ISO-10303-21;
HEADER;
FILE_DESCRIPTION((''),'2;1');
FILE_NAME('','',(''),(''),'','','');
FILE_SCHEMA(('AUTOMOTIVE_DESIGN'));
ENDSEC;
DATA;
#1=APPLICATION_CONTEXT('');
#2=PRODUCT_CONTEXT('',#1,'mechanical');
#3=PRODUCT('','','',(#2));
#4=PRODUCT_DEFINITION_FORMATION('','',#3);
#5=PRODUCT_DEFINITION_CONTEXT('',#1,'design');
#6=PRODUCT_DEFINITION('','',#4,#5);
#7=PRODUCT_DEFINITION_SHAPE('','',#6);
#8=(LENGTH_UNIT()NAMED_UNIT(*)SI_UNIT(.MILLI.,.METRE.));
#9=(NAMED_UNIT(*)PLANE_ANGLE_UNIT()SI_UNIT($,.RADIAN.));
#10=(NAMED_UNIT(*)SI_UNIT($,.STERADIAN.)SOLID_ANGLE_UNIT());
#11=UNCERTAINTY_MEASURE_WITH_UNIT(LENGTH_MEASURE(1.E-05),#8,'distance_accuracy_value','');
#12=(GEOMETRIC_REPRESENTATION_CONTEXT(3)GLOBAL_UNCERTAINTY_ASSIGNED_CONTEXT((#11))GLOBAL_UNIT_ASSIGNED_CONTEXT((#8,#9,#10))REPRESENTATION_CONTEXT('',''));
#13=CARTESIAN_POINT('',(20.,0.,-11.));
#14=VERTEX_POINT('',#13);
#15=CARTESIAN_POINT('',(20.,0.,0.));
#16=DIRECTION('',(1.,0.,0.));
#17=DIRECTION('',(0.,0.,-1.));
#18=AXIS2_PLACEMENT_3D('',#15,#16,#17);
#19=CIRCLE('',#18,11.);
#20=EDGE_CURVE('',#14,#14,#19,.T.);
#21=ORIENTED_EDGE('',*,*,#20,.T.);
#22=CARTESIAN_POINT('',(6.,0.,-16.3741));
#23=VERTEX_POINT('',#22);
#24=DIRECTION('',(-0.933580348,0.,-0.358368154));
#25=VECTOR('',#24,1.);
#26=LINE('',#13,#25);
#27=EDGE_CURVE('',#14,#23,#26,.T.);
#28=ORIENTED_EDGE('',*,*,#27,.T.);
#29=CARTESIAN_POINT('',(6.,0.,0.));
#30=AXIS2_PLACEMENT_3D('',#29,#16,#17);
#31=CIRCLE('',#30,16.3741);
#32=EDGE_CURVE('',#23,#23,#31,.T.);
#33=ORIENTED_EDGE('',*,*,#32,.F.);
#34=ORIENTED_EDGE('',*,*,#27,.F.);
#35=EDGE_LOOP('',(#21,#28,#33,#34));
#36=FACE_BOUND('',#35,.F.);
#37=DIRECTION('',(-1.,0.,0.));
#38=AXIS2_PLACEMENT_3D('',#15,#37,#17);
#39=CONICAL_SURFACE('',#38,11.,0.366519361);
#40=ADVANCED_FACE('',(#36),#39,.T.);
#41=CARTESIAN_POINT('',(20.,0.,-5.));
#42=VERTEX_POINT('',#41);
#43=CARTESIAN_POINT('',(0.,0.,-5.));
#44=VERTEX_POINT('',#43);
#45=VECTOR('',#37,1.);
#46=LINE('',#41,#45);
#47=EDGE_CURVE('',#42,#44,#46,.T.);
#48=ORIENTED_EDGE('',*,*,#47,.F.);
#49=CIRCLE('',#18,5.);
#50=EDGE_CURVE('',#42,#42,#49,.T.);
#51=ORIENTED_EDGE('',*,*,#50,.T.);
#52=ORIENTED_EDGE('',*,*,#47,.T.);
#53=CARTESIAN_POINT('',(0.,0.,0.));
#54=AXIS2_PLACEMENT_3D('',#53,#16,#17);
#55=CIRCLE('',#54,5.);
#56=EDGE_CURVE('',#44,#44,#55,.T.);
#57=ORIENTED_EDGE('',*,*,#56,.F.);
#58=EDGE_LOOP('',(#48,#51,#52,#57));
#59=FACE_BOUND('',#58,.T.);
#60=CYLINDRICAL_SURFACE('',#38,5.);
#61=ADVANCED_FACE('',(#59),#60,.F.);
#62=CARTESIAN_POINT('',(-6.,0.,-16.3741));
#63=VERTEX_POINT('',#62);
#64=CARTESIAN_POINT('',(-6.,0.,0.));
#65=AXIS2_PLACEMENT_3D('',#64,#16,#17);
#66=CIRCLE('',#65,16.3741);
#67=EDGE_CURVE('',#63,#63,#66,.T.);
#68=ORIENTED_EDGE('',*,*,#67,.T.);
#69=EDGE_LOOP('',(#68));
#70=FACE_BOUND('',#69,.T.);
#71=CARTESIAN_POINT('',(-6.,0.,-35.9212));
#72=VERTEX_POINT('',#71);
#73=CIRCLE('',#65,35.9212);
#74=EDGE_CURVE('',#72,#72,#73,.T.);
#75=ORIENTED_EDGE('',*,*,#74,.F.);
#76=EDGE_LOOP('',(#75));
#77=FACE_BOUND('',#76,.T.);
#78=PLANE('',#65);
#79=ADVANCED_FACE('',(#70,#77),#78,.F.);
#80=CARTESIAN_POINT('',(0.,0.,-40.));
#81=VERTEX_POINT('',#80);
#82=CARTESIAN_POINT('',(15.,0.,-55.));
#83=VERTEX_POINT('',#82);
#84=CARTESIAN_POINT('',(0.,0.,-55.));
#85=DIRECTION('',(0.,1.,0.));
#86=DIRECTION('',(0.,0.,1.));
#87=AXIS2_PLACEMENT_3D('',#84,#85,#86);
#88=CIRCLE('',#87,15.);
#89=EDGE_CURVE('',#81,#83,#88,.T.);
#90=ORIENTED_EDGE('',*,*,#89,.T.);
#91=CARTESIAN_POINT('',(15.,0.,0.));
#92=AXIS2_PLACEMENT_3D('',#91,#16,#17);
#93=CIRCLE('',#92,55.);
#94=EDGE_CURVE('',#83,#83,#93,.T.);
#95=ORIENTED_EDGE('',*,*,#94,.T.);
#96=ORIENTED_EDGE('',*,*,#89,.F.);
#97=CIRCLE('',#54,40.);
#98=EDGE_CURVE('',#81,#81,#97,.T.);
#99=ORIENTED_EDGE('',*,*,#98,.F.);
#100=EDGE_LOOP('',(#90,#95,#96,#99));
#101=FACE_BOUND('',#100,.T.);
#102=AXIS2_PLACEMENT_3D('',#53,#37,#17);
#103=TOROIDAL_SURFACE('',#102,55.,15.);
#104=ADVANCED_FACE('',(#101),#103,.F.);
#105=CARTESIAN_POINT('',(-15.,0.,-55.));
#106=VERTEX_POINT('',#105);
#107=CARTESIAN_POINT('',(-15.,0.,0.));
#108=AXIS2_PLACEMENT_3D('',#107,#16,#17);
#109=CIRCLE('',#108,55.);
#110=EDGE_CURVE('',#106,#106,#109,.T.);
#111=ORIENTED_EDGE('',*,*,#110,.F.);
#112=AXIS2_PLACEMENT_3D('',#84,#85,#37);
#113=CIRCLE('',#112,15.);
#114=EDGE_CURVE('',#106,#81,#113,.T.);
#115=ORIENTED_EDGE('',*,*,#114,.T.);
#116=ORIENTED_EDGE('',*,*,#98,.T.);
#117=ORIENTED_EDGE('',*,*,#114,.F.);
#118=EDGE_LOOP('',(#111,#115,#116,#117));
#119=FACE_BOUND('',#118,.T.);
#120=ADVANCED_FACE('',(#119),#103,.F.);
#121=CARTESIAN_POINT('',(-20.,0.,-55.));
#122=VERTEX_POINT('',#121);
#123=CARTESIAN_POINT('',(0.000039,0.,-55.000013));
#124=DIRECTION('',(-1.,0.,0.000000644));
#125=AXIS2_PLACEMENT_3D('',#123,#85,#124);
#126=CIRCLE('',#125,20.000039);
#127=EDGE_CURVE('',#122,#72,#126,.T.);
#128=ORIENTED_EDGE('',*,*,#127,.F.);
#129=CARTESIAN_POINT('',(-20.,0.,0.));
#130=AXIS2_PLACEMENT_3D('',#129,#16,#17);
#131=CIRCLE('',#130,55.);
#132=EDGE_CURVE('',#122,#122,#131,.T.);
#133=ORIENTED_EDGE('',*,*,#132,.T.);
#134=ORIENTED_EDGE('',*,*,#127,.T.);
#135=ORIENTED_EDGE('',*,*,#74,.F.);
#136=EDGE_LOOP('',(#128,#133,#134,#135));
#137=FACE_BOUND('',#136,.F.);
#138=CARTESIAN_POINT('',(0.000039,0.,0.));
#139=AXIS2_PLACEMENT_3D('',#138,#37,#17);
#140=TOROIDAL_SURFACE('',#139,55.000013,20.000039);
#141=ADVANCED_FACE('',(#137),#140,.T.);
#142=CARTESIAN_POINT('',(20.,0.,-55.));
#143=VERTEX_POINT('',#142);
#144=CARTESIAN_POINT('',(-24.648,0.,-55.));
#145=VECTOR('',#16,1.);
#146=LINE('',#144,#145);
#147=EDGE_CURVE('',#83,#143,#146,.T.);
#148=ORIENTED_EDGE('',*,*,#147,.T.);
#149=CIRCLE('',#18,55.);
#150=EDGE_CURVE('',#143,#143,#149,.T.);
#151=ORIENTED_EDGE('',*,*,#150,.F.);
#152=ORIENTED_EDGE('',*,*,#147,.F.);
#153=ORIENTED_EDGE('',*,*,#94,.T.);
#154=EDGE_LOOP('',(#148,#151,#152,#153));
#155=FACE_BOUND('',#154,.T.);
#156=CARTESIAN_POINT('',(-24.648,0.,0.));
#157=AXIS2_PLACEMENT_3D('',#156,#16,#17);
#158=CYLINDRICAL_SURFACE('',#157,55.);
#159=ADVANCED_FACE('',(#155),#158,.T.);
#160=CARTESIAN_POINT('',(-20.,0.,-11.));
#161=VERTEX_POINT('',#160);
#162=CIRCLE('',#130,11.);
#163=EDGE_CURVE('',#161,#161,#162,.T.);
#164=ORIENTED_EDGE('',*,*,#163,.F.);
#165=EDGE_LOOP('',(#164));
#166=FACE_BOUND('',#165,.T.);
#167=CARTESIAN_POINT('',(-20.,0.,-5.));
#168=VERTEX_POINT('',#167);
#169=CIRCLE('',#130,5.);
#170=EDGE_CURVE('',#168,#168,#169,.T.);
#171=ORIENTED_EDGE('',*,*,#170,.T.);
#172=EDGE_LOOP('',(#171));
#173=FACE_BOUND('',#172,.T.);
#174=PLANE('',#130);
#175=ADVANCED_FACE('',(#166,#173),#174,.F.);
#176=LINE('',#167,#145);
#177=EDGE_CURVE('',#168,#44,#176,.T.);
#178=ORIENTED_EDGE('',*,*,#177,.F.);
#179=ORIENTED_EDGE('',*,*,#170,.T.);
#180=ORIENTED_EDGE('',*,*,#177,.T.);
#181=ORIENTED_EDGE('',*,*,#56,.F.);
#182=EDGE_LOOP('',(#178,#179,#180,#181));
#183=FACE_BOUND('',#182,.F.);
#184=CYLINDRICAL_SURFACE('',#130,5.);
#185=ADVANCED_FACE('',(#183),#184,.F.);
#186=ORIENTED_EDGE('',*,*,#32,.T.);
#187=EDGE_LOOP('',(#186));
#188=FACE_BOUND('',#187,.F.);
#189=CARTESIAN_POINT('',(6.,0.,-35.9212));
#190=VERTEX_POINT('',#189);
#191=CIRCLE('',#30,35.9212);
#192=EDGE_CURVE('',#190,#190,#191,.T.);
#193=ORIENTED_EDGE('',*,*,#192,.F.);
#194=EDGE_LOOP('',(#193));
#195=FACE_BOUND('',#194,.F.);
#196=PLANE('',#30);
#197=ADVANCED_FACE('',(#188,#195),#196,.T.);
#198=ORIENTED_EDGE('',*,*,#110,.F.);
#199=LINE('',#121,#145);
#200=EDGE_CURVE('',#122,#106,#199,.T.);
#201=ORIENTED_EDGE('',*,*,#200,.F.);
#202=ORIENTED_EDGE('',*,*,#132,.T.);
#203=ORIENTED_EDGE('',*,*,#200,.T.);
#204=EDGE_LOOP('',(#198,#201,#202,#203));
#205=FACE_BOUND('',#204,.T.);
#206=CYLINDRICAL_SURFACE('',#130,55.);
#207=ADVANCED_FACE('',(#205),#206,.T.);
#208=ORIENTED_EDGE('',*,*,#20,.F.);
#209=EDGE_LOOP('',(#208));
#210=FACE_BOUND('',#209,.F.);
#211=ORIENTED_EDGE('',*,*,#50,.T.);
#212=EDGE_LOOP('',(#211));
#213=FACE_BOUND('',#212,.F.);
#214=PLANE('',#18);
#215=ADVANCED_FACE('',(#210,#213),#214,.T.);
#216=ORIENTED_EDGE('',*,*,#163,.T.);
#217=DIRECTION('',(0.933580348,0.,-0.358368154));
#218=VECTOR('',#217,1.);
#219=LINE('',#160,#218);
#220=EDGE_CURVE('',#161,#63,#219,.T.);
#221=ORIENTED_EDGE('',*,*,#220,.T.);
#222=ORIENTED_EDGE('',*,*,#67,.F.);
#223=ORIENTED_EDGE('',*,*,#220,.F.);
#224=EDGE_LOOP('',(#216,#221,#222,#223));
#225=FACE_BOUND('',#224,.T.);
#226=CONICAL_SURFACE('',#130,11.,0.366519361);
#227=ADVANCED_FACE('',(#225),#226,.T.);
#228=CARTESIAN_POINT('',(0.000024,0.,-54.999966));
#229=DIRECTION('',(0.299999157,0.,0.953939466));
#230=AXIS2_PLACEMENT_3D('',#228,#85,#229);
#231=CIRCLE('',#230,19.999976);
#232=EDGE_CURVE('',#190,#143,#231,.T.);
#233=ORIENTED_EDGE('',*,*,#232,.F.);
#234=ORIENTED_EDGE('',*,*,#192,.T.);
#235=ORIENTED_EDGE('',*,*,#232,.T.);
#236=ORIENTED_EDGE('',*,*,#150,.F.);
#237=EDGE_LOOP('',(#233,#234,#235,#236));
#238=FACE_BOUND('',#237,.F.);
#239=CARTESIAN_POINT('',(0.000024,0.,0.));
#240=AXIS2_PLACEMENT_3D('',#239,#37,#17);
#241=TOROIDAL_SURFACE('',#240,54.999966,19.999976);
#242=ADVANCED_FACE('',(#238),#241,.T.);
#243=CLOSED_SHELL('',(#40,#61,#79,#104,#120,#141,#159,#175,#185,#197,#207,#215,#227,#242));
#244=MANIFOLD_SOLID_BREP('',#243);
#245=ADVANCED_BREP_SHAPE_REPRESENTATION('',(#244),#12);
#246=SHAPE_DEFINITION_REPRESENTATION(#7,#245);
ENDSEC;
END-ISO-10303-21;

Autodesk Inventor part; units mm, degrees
ref_plane "YZ Plane" through (0, 0, 0) normal (1, 0, 0) x (0, 1, 0)
ref_plane "XZ Plane" through (0, 0, 0) normal (0, 1, 0) x (-1, 0, 0)
ref_plane "XY Plane" through (0, 0, 0) normal (0, 0, 1) x (1, 0, 0)
sketch "Náčrt1" plane through (0, 0, 0) normal (0, 1, 0) x (-1, 0, 0)
  line L0 (20, -5) -> (0, -5)
  line L1 (20, -5) -> (20, -11)
  line L2 (20, -11) -> (6, -16.3741)
  line L3 (6, -16.3741) -> (6, -35.9212)
  line L4 (0, 0) -> (-43.8955, 0)
  arc A0 (20, -55) -> (6, -35.9212) centre (0, -55) ccw
  line L5 (0, 0) -> (0, -73.1539)
  line L6 (20, -55) -> (15, -55)
  arc A1 (15, -55) -> (0, -40) centre (0, -55) ccw
  line L7 (24.648, -55) -> (-37.389, -55)
  line L8 (20, -55) -> (20, -66.6969)
  line L9 (-20, -5) -> (0, -5)
  line L10 (-20, -5) -> (-20, -11)
  line L11 (-20, -11) -> (-6, -16.3741)
  line L12 (-6, -16.3741) -> (-6, -35.9212)
  arc A2 (-6, -35.9212) -> (-20, -55) centre (0, -55) ccw
  line L13 (-20, -55) -> (-15, -55)
  arc A3 (0, -40) -> (-15, -55) centre (0, -55) ccw
  point P0 (0, -53)
  dimension "d1" = 111
  dimension "d3" = 10
  dimension "d63" = 20
  dimension "d64" = 15
  dimension "d65" = 12
  dimension "d67" = 80
  dimension "d68" = 6
revolve "Rotace1" add sketch "Náčrt1" angle 360 about axis through (0, 0, 0) along (1, 0, 0) contours L1 L2 L3 A0 L6 A1 L5 L0 | L5 A3 L7 A2 L12 L11 L10 L9
properties part number "pulley_dc"
